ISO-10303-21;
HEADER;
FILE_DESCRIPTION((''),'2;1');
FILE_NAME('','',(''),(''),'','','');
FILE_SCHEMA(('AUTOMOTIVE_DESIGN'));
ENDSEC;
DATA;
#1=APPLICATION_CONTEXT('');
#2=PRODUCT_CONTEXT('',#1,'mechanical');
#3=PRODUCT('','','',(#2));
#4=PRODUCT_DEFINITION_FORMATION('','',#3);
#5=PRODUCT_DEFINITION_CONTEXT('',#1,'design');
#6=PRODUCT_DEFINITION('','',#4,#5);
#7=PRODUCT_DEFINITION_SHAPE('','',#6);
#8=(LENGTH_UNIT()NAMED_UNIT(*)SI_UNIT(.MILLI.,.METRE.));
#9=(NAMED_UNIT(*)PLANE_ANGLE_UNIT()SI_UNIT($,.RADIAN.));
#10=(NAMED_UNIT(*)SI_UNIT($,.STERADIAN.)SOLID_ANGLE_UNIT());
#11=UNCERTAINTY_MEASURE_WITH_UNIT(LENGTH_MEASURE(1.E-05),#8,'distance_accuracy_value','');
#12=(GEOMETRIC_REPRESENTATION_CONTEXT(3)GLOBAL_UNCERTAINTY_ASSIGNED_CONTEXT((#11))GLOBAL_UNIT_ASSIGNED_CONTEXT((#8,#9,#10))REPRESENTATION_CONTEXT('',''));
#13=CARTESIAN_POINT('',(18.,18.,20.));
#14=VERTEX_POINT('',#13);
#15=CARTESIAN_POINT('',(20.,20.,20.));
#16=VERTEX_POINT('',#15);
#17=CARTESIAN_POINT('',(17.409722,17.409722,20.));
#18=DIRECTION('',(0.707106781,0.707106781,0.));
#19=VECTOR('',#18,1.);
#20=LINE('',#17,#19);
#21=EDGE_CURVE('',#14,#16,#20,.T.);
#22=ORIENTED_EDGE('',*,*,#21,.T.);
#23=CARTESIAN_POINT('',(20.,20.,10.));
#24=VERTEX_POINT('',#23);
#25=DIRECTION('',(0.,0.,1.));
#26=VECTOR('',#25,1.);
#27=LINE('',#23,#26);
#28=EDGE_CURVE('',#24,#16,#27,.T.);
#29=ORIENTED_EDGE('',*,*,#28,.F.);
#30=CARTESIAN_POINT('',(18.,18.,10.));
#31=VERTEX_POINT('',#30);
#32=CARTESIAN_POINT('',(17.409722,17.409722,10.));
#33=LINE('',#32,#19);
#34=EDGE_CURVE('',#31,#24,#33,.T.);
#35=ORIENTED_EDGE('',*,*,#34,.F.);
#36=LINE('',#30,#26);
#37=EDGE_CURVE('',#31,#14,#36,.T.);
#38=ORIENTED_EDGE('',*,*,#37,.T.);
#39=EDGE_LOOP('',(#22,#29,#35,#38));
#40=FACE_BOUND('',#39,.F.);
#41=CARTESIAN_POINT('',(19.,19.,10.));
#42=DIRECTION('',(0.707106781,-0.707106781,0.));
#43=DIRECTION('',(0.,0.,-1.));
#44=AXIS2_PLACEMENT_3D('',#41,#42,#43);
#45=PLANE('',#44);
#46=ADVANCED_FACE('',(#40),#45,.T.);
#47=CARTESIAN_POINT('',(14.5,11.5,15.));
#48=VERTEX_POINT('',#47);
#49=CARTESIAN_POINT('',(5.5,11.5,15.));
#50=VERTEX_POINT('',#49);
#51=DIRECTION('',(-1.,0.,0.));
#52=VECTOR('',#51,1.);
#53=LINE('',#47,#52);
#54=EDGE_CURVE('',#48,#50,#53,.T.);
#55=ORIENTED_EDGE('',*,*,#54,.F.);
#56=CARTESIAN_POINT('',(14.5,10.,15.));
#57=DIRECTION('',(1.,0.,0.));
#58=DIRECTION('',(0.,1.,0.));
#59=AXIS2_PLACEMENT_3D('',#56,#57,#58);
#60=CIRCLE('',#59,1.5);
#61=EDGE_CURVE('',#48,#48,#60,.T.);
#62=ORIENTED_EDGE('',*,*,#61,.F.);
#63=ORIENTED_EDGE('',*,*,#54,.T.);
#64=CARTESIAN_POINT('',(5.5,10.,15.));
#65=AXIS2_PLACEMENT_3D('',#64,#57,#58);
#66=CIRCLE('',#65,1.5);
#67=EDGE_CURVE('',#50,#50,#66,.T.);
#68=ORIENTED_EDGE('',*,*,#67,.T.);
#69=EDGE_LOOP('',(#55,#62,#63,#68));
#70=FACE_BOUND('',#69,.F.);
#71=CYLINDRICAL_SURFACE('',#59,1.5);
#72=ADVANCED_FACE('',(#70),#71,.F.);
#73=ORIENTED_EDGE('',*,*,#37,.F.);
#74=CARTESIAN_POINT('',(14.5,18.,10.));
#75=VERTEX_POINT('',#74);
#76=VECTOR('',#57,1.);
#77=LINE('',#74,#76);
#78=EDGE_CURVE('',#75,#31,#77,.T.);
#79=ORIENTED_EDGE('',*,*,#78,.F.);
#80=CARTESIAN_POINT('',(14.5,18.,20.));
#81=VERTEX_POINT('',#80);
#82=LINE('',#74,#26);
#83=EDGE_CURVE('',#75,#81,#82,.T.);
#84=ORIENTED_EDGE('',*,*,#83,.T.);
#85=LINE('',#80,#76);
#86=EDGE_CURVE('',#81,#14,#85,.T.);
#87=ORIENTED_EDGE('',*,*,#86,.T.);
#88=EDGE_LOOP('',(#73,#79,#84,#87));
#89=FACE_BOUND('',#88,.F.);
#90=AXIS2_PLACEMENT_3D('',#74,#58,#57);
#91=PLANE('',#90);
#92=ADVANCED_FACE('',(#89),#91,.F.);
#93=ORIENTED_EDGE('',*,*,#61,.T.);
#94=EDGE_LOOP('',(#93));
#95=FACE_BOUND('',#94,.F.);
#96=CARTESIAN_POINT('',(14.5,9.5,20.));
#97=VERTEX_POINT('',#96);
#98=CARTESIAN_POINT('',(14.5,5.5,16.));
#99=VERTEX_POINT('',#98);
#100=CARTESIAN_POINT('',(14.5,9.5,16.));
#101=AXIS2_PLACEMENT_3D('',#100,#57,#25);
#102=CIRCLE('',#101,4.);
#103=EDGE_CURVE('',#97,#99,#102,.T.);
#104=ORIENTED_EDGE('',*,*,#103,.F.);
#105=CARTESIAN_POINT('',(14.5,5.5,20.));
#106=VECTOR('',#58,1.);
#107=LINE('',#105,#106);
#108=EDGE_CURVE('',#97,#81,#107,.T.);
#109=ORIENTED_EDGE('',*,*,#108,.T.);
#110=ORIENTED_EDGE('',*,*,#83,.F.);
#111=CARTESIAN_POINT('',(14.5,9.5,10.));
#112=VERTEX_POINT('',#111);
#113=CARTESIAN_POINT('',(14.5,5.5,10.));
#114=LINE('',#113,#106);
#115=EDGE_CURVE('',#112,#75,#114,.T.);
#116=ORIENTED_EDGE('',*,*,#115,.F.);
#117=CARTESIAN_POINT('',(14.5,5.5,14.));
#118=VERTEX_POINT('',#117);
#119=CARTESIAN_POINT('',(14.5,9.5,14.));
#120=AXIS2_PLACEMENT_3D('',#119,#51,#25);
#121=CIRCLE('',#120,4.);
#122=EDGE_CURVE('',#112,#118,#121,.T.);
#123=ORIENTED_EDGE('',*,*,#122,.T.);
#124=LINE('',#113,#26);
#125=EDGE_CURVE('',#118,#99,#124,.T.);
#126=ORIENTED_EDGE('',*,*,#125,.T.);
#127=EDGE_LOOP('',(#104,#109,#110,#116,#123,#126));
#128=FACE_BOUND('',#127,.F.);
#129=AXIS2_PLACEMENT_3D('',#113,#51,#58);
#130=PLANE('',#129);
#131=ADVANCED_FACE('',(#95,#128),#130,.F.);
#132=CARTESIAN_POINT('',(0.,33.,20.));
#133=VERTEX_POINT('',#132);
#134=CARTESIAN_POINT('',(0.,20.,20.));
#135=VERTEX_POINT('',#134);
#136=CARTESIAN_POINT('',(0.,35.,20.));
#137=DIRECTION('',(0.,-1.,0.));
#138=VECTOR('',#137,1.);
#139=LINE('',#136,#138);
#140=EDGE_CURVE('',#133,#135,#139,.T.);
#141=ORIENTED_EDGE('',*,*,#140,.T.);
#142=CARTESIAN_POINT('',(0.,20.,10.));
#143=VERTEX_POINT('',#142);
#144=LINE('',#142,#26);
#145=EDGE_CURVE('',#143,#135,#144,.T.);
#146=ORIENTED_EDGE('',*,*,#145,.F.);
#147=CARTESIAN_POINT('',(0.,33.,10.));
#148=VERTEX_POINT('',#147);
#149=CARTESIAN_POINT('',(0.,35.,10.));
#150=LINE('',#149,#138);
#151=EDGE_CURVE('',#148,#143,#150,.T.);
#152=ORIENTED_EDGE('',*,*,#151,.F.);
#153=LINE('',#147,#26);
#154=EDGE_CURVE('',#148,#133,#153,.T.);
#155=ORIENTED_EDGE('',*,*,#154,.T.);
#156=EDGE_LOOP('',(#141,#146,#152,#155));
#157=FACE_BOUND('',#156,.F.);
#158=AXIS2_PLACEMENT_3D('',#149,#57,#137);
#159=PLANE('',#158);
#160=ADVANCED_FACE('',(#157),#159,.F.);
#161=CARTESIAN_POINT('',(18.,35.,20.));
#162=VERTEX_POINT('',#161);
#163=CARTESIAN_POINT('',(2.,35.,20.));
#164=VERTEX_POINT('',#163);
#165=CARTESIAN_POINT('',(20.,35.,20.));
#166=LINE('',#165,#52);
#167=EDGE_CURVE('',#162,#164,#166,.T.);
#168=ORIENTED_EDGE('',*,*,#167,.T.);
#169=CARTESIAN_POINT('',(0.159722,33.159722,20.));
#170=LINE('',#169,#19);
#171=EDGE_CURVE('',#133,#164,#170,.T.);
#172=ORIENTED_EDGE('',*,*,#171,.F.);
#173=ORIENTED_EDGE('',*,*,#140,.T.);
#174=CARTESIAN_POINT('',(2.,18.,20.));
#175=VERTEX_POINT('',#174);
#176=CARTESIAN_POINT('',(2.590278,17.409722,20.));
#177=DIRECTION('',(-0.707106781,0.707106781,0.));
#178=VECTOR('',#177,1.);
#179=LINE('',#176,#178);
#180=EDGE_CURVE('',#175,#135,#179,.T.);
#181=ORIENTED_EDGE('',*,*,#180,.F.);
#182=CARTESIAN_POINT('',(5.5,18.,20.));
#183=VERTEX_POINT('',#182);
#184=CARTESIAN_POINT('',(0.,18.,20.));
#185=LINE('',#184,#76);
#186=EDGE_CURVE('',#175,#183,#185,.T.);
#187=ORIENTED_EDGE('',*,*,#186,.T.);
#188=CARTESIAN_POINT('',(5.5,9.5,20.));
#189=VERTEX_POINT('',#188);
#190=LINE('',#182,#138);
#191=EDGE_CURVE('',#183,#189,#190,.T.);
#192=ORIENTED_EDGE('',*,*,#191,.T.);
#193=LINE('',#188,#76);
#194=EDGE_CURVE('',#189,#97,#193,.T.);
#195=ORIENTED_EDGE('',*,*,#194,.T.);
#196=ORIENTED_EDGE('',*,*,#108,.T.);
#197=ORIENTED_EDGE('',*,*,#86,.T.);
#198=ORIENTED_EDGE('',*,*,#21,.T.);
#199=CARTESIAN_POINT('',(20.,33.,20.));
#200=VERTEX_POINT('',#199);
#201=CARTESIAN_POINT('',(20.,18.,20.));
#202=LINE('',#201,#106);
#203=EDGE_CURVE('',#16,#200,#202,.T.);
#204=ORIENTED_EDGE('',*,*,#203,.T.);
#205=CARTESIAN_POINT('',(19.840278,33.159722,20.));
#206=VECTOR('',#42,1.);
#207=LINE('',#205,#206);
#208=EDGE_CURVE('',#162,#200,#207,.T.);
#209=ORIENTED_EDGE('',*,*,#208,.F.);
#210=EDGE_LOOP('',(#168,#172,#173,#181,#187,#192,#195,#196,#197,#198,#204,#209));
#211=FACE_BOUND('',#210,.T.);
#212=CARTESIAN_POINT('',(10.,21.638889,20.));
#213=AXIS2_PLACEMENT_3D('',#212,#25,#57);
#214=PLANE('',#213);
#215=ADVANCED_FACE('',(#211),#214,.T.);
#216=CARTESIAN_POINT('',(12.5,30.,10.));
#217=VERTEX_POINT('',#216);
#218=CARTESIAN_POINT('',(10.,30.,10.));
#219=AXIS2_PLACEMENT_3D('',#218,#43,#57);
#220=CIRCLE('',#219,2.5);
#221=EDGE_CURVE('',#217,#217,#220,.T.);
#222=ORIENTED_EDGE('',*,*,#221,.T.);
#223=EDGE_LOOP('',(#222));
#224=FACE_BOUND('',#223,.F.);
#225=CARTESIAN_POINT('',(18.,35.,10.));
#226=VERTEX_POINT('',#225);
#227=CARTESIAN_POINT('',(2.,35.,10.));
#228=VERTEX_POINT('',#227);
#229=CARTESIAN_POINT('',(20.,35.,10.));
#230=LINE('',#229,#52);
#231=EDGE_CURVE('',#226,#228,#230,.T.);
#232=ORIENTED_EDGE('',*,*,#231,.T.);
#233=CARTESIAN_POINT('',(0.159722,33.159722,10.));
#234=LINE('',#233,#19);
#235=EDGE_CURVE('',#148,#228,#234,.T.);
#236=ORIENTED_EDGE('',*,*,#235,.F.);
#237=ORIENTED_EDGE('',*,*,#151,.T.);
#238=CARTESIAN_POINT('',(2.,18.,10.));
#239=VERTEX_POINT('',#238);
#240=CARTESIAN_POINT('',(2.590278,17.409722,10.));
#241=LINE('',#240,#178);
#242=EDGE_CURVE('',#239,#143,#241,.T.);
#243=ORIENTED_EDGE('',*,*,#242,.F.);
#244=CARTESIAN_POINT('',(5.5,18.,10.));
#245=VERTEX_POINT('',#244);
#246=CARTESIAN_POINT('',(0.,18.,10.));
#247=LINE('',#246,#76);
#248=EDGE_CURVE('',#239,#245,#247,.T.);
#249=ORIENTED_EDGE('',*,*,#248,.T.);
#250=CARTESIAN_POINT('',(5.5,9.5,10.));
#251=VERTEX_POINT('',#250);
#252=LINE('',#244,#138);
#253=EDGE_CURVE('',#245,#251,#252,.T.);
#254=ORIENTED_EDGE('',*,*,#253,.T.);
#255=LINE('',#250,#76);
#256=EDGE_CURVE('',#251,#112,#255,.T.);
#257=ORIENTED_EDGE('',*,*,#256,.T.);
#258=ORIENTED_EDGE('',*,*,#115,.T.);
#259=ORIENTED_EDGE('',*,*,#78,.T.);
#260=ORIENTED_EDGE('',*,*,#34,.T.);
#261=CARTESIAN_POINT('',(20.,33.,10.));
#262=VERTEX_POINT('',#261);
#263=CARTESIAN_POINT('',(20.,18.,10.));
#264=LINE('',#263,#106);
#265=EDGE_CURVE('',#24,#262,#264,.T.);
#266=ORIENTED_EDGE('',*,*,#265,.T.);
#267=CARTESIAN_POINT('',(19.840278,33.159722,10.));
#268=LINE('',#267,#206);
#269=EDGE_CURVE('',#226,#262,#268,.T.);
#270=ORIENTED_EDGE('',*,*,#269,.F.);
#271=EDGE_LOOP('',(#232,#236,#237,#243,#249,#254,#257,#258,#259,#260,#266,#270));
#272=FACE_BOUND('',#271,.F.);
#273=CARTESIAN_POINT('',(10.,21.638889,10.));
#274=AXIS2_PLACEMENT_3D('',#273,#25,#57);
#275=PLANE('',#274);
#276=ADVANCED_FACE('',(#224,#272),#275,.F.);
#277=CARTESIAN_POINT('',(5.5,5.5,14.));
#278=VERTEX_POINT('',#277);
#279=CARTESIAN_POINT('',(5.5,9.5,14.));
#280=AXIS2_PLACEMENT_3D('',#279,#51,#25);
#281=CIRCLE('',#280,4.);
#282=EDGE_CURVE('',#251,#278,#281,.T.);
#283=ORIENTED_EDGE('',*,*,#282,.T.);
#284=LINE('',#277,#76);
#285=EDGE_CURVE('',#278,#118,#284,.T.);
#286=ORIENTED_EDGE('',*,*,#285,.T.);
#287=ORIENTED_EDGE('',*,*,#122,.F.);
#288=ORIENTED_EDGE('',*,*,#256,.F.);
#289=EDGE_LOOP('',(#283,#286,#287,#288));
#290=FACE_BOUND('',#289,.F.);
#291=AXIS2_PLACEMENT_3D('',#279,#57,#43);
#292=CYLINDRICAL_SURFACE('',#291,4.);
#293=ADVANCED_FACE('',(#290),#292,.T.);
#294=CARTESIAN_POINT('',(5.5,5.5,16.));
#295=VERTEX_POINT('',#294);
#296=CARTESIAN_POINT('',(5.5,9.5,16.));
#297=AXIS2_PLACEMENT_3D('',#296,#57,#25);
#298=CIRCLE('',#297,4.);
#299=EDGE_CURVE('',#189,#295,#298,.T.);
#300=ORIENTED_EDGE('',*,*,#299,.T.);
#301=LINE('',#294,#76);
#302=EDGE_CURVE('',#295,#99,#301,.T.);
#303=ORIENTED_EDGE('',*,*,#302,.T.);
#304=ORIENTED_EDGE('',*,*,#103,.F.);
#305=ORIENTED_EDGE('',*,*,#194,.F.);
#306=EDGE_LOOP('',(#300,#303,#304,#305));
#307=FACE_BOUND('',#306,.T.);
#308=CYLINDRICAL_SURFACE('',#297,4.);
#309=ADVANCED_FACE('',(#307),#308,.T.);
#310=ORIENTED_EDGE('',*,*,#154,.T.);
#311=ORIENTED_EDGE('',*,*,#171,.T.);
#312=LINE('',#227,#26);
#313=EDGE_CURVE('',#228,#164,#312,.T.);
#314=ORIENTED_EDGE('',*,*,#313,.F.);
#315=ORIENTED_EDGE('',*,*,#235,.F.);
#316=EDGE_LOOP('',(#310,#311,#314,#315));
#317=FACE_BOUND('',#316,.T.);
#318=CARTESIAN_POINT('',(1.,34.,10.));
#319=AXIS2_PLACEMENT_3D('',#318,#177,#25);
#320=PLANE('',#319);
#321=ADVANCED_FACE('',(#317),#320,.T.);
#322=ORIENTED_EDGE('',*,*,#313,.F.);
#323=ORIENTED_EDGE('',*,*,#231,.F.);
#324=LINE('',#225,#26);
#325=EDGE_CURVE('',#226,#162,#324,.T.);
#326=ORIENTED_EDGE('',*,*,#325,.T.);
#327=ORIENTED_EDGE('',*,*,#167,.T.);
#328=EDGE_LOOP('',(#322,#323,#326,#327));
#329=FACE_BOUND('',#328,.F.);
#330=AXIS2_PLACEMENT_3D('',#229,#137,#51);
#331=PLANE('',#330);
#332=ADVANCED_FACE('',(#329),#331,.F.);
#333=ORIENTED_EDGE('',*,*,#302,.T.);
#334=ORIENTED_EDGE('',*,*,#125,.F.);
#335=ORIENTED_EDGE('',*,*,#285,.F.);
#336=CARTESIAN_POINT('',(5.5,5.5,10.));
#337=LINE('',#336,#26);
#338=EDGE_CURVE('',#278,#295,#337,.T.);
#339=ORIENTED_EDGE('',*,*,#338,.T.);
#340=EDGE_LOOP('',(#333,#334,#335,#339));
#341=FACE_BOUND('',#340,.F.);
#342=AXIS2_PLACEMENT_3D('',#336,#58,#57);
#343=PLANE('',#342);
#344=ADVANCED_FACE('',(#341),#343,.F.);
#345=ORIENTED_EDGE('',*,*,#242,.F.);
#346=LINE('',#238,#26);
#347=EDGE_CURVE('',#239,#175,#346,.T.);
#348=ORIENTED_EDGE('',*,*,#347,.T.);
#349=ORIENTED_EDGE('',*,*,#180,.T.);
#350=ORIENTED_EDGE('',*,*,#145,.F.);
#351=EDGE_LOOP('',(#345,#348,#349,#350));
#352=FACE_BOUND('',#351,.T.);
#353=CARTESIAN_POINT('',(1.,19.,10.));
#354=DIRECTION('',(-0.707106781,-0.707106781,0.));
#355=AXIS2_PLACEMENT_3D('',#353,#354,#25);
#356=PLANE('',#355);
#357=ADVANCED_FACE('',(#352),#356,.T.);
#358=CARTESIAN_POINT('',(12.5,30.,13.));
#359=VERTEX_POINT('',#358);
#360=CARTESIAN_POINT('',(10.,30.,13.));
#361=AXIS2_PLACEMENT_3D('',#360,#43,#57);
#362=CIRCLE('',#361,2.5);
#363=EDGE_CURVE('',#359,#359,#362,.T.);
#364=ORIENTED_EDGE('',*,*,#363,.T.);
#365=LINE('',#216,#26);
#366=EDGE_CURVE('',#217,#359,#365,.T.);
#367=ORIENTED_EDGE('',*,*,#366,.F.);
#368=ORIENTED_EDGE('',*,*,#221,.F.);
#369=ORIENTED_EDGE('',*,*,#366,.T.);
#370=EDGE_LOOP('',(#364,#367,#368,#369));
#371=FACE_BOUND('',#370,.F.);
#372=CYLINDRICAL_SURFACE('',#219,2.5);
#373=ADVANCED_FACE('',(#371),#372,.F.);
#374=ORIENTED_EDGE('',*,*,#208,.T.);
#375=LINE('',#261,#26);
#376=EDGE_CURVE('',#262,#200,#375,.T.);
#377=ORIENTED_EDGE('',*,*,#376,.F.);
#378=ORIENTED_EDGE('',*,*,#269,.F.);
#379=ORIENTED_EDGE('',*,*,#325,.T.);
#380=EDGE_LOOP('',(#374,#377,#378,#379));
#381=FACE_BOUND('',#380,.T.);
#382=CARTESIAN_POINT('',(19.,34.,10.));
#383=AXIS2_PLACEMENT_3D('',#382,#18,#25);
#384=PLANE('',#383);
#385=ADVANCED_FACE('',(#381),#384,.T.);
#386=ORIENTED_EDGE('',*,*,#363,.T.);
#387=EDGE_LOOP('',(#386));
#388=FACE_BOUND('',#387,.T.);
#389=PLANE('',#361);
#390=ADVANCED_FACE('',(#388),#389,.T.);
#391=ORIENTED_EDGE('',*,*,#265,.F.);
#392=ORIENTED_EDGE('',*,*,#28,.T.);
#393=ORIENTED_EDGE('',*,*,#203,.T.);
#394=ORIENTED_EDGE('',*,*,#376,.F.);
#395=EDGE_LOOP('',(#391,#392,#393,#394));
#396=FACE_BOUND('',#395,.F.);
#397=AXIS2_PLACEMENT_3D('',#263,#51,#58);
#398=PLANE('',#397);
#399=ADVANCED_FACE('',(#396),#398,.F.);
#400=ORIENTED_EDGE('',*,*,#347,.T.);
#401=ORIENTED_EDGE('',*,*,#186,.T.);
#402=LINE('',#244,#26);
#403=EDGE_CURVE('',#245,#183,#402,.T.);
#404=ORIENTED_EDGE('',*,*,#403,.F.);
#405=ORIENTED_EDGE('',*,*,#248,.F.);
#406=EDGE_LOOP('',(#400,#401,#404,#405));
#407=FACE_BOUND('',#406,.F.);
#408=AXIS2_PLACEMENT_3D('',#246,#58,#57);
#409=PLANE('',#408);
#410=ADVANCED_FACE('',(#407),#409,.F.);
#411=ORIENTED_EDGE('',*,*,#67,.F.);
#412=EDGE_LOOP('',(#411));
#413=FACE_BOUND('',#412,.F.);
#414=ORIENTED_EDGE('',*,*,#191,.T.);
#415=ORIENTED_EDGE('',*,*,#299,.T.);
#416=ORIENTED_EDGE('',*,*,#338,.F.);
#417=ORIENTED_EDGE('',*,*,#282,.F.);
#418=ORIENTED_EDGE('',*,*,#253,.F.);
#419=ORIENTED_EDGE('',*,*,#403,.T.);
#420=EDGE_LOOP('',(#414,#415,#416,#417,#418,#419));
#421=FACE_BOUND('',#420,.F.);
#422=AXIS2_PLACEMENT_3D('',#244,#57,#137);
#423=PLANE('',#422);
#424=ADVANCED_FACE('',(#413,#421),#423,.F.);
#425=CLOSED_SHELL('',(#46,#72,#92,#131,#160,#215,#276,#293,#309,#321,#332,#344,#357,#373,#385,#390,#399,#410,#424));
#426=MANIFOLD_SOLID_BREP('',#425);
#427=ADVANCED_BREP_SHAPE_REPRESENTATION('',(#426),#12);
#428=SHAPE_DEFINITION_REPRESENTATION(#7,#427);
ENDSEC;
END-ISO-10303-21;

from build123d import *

# Parameters (mm, degrees)
PAD001_DEPTH    = 10
SKETCH004_R     = 1.5
POCKET002_DEPTH = 14.501
SKETCH005_R     = 2.5
POCKET003_DEPTH = 3
FILLET_R        = 4
CHAMFER001_SIZE = 2


with BuildPart() as part:
    # Sketch003 → Pad001 (new body)
    with BuildSketch(Plane.XY):
        Polygon((0, 18), (5.5, 18), (5.5, 5.5), (14.5, 5.5), (14.5, 18), (20, 18), (20, 35), (0, 35), align=None)
    extrude(amount=PAD001_DEPTH)

    # Sketch004 (on Face4 of Pad001) → Pocket002 (cut, through all)
    with BuildSketch(Plane.YZ.offset(14.5)):
        with Locations((10, 5)):
            Circle(SKETCH004_R)
    extrude(amount=-POCKET002_DEPTH, mode=Mode.SUBTRACT)

    # Sketch005 (on Face4 of Pocket002) → Pocket003 (cut)
    with BuildSketch(Plane(origin=(0, 0, 0), x_dir=(1, 0, 0), z_dir=(0, 0, -1))):
        with Locations((10, -30)):
            Circle(SKETCH005_R)
    extrude(amount=-POCKET003_DEPTH, mode=Mode.SUBTRACT)

    # Fillet
    fillet_edges = [part.edges().sort_by_distance(p)[0] for p in [
        (10, 5.5, 10),
        (10, 5.5, 0),
    ]]
    fillet(fillet_edges, radius=FILLET_R)

    # Chamfer001
    chamfer001_edges = [part.edges().sort_by_distance(p)[0] for p in [
        (0, 35, 5),
        (0, 18, 5),
        (20, 35, 5),
        (20, 18, 5),
    ]]
    chamfer(chamfer001_edges, length=CHAMFER001_SIZE)


with BuildPart() as part_1:
    # Body001 placement: moved
    add(part.part.moved(Location((0, 0, 10))))


solid = part_1.part
